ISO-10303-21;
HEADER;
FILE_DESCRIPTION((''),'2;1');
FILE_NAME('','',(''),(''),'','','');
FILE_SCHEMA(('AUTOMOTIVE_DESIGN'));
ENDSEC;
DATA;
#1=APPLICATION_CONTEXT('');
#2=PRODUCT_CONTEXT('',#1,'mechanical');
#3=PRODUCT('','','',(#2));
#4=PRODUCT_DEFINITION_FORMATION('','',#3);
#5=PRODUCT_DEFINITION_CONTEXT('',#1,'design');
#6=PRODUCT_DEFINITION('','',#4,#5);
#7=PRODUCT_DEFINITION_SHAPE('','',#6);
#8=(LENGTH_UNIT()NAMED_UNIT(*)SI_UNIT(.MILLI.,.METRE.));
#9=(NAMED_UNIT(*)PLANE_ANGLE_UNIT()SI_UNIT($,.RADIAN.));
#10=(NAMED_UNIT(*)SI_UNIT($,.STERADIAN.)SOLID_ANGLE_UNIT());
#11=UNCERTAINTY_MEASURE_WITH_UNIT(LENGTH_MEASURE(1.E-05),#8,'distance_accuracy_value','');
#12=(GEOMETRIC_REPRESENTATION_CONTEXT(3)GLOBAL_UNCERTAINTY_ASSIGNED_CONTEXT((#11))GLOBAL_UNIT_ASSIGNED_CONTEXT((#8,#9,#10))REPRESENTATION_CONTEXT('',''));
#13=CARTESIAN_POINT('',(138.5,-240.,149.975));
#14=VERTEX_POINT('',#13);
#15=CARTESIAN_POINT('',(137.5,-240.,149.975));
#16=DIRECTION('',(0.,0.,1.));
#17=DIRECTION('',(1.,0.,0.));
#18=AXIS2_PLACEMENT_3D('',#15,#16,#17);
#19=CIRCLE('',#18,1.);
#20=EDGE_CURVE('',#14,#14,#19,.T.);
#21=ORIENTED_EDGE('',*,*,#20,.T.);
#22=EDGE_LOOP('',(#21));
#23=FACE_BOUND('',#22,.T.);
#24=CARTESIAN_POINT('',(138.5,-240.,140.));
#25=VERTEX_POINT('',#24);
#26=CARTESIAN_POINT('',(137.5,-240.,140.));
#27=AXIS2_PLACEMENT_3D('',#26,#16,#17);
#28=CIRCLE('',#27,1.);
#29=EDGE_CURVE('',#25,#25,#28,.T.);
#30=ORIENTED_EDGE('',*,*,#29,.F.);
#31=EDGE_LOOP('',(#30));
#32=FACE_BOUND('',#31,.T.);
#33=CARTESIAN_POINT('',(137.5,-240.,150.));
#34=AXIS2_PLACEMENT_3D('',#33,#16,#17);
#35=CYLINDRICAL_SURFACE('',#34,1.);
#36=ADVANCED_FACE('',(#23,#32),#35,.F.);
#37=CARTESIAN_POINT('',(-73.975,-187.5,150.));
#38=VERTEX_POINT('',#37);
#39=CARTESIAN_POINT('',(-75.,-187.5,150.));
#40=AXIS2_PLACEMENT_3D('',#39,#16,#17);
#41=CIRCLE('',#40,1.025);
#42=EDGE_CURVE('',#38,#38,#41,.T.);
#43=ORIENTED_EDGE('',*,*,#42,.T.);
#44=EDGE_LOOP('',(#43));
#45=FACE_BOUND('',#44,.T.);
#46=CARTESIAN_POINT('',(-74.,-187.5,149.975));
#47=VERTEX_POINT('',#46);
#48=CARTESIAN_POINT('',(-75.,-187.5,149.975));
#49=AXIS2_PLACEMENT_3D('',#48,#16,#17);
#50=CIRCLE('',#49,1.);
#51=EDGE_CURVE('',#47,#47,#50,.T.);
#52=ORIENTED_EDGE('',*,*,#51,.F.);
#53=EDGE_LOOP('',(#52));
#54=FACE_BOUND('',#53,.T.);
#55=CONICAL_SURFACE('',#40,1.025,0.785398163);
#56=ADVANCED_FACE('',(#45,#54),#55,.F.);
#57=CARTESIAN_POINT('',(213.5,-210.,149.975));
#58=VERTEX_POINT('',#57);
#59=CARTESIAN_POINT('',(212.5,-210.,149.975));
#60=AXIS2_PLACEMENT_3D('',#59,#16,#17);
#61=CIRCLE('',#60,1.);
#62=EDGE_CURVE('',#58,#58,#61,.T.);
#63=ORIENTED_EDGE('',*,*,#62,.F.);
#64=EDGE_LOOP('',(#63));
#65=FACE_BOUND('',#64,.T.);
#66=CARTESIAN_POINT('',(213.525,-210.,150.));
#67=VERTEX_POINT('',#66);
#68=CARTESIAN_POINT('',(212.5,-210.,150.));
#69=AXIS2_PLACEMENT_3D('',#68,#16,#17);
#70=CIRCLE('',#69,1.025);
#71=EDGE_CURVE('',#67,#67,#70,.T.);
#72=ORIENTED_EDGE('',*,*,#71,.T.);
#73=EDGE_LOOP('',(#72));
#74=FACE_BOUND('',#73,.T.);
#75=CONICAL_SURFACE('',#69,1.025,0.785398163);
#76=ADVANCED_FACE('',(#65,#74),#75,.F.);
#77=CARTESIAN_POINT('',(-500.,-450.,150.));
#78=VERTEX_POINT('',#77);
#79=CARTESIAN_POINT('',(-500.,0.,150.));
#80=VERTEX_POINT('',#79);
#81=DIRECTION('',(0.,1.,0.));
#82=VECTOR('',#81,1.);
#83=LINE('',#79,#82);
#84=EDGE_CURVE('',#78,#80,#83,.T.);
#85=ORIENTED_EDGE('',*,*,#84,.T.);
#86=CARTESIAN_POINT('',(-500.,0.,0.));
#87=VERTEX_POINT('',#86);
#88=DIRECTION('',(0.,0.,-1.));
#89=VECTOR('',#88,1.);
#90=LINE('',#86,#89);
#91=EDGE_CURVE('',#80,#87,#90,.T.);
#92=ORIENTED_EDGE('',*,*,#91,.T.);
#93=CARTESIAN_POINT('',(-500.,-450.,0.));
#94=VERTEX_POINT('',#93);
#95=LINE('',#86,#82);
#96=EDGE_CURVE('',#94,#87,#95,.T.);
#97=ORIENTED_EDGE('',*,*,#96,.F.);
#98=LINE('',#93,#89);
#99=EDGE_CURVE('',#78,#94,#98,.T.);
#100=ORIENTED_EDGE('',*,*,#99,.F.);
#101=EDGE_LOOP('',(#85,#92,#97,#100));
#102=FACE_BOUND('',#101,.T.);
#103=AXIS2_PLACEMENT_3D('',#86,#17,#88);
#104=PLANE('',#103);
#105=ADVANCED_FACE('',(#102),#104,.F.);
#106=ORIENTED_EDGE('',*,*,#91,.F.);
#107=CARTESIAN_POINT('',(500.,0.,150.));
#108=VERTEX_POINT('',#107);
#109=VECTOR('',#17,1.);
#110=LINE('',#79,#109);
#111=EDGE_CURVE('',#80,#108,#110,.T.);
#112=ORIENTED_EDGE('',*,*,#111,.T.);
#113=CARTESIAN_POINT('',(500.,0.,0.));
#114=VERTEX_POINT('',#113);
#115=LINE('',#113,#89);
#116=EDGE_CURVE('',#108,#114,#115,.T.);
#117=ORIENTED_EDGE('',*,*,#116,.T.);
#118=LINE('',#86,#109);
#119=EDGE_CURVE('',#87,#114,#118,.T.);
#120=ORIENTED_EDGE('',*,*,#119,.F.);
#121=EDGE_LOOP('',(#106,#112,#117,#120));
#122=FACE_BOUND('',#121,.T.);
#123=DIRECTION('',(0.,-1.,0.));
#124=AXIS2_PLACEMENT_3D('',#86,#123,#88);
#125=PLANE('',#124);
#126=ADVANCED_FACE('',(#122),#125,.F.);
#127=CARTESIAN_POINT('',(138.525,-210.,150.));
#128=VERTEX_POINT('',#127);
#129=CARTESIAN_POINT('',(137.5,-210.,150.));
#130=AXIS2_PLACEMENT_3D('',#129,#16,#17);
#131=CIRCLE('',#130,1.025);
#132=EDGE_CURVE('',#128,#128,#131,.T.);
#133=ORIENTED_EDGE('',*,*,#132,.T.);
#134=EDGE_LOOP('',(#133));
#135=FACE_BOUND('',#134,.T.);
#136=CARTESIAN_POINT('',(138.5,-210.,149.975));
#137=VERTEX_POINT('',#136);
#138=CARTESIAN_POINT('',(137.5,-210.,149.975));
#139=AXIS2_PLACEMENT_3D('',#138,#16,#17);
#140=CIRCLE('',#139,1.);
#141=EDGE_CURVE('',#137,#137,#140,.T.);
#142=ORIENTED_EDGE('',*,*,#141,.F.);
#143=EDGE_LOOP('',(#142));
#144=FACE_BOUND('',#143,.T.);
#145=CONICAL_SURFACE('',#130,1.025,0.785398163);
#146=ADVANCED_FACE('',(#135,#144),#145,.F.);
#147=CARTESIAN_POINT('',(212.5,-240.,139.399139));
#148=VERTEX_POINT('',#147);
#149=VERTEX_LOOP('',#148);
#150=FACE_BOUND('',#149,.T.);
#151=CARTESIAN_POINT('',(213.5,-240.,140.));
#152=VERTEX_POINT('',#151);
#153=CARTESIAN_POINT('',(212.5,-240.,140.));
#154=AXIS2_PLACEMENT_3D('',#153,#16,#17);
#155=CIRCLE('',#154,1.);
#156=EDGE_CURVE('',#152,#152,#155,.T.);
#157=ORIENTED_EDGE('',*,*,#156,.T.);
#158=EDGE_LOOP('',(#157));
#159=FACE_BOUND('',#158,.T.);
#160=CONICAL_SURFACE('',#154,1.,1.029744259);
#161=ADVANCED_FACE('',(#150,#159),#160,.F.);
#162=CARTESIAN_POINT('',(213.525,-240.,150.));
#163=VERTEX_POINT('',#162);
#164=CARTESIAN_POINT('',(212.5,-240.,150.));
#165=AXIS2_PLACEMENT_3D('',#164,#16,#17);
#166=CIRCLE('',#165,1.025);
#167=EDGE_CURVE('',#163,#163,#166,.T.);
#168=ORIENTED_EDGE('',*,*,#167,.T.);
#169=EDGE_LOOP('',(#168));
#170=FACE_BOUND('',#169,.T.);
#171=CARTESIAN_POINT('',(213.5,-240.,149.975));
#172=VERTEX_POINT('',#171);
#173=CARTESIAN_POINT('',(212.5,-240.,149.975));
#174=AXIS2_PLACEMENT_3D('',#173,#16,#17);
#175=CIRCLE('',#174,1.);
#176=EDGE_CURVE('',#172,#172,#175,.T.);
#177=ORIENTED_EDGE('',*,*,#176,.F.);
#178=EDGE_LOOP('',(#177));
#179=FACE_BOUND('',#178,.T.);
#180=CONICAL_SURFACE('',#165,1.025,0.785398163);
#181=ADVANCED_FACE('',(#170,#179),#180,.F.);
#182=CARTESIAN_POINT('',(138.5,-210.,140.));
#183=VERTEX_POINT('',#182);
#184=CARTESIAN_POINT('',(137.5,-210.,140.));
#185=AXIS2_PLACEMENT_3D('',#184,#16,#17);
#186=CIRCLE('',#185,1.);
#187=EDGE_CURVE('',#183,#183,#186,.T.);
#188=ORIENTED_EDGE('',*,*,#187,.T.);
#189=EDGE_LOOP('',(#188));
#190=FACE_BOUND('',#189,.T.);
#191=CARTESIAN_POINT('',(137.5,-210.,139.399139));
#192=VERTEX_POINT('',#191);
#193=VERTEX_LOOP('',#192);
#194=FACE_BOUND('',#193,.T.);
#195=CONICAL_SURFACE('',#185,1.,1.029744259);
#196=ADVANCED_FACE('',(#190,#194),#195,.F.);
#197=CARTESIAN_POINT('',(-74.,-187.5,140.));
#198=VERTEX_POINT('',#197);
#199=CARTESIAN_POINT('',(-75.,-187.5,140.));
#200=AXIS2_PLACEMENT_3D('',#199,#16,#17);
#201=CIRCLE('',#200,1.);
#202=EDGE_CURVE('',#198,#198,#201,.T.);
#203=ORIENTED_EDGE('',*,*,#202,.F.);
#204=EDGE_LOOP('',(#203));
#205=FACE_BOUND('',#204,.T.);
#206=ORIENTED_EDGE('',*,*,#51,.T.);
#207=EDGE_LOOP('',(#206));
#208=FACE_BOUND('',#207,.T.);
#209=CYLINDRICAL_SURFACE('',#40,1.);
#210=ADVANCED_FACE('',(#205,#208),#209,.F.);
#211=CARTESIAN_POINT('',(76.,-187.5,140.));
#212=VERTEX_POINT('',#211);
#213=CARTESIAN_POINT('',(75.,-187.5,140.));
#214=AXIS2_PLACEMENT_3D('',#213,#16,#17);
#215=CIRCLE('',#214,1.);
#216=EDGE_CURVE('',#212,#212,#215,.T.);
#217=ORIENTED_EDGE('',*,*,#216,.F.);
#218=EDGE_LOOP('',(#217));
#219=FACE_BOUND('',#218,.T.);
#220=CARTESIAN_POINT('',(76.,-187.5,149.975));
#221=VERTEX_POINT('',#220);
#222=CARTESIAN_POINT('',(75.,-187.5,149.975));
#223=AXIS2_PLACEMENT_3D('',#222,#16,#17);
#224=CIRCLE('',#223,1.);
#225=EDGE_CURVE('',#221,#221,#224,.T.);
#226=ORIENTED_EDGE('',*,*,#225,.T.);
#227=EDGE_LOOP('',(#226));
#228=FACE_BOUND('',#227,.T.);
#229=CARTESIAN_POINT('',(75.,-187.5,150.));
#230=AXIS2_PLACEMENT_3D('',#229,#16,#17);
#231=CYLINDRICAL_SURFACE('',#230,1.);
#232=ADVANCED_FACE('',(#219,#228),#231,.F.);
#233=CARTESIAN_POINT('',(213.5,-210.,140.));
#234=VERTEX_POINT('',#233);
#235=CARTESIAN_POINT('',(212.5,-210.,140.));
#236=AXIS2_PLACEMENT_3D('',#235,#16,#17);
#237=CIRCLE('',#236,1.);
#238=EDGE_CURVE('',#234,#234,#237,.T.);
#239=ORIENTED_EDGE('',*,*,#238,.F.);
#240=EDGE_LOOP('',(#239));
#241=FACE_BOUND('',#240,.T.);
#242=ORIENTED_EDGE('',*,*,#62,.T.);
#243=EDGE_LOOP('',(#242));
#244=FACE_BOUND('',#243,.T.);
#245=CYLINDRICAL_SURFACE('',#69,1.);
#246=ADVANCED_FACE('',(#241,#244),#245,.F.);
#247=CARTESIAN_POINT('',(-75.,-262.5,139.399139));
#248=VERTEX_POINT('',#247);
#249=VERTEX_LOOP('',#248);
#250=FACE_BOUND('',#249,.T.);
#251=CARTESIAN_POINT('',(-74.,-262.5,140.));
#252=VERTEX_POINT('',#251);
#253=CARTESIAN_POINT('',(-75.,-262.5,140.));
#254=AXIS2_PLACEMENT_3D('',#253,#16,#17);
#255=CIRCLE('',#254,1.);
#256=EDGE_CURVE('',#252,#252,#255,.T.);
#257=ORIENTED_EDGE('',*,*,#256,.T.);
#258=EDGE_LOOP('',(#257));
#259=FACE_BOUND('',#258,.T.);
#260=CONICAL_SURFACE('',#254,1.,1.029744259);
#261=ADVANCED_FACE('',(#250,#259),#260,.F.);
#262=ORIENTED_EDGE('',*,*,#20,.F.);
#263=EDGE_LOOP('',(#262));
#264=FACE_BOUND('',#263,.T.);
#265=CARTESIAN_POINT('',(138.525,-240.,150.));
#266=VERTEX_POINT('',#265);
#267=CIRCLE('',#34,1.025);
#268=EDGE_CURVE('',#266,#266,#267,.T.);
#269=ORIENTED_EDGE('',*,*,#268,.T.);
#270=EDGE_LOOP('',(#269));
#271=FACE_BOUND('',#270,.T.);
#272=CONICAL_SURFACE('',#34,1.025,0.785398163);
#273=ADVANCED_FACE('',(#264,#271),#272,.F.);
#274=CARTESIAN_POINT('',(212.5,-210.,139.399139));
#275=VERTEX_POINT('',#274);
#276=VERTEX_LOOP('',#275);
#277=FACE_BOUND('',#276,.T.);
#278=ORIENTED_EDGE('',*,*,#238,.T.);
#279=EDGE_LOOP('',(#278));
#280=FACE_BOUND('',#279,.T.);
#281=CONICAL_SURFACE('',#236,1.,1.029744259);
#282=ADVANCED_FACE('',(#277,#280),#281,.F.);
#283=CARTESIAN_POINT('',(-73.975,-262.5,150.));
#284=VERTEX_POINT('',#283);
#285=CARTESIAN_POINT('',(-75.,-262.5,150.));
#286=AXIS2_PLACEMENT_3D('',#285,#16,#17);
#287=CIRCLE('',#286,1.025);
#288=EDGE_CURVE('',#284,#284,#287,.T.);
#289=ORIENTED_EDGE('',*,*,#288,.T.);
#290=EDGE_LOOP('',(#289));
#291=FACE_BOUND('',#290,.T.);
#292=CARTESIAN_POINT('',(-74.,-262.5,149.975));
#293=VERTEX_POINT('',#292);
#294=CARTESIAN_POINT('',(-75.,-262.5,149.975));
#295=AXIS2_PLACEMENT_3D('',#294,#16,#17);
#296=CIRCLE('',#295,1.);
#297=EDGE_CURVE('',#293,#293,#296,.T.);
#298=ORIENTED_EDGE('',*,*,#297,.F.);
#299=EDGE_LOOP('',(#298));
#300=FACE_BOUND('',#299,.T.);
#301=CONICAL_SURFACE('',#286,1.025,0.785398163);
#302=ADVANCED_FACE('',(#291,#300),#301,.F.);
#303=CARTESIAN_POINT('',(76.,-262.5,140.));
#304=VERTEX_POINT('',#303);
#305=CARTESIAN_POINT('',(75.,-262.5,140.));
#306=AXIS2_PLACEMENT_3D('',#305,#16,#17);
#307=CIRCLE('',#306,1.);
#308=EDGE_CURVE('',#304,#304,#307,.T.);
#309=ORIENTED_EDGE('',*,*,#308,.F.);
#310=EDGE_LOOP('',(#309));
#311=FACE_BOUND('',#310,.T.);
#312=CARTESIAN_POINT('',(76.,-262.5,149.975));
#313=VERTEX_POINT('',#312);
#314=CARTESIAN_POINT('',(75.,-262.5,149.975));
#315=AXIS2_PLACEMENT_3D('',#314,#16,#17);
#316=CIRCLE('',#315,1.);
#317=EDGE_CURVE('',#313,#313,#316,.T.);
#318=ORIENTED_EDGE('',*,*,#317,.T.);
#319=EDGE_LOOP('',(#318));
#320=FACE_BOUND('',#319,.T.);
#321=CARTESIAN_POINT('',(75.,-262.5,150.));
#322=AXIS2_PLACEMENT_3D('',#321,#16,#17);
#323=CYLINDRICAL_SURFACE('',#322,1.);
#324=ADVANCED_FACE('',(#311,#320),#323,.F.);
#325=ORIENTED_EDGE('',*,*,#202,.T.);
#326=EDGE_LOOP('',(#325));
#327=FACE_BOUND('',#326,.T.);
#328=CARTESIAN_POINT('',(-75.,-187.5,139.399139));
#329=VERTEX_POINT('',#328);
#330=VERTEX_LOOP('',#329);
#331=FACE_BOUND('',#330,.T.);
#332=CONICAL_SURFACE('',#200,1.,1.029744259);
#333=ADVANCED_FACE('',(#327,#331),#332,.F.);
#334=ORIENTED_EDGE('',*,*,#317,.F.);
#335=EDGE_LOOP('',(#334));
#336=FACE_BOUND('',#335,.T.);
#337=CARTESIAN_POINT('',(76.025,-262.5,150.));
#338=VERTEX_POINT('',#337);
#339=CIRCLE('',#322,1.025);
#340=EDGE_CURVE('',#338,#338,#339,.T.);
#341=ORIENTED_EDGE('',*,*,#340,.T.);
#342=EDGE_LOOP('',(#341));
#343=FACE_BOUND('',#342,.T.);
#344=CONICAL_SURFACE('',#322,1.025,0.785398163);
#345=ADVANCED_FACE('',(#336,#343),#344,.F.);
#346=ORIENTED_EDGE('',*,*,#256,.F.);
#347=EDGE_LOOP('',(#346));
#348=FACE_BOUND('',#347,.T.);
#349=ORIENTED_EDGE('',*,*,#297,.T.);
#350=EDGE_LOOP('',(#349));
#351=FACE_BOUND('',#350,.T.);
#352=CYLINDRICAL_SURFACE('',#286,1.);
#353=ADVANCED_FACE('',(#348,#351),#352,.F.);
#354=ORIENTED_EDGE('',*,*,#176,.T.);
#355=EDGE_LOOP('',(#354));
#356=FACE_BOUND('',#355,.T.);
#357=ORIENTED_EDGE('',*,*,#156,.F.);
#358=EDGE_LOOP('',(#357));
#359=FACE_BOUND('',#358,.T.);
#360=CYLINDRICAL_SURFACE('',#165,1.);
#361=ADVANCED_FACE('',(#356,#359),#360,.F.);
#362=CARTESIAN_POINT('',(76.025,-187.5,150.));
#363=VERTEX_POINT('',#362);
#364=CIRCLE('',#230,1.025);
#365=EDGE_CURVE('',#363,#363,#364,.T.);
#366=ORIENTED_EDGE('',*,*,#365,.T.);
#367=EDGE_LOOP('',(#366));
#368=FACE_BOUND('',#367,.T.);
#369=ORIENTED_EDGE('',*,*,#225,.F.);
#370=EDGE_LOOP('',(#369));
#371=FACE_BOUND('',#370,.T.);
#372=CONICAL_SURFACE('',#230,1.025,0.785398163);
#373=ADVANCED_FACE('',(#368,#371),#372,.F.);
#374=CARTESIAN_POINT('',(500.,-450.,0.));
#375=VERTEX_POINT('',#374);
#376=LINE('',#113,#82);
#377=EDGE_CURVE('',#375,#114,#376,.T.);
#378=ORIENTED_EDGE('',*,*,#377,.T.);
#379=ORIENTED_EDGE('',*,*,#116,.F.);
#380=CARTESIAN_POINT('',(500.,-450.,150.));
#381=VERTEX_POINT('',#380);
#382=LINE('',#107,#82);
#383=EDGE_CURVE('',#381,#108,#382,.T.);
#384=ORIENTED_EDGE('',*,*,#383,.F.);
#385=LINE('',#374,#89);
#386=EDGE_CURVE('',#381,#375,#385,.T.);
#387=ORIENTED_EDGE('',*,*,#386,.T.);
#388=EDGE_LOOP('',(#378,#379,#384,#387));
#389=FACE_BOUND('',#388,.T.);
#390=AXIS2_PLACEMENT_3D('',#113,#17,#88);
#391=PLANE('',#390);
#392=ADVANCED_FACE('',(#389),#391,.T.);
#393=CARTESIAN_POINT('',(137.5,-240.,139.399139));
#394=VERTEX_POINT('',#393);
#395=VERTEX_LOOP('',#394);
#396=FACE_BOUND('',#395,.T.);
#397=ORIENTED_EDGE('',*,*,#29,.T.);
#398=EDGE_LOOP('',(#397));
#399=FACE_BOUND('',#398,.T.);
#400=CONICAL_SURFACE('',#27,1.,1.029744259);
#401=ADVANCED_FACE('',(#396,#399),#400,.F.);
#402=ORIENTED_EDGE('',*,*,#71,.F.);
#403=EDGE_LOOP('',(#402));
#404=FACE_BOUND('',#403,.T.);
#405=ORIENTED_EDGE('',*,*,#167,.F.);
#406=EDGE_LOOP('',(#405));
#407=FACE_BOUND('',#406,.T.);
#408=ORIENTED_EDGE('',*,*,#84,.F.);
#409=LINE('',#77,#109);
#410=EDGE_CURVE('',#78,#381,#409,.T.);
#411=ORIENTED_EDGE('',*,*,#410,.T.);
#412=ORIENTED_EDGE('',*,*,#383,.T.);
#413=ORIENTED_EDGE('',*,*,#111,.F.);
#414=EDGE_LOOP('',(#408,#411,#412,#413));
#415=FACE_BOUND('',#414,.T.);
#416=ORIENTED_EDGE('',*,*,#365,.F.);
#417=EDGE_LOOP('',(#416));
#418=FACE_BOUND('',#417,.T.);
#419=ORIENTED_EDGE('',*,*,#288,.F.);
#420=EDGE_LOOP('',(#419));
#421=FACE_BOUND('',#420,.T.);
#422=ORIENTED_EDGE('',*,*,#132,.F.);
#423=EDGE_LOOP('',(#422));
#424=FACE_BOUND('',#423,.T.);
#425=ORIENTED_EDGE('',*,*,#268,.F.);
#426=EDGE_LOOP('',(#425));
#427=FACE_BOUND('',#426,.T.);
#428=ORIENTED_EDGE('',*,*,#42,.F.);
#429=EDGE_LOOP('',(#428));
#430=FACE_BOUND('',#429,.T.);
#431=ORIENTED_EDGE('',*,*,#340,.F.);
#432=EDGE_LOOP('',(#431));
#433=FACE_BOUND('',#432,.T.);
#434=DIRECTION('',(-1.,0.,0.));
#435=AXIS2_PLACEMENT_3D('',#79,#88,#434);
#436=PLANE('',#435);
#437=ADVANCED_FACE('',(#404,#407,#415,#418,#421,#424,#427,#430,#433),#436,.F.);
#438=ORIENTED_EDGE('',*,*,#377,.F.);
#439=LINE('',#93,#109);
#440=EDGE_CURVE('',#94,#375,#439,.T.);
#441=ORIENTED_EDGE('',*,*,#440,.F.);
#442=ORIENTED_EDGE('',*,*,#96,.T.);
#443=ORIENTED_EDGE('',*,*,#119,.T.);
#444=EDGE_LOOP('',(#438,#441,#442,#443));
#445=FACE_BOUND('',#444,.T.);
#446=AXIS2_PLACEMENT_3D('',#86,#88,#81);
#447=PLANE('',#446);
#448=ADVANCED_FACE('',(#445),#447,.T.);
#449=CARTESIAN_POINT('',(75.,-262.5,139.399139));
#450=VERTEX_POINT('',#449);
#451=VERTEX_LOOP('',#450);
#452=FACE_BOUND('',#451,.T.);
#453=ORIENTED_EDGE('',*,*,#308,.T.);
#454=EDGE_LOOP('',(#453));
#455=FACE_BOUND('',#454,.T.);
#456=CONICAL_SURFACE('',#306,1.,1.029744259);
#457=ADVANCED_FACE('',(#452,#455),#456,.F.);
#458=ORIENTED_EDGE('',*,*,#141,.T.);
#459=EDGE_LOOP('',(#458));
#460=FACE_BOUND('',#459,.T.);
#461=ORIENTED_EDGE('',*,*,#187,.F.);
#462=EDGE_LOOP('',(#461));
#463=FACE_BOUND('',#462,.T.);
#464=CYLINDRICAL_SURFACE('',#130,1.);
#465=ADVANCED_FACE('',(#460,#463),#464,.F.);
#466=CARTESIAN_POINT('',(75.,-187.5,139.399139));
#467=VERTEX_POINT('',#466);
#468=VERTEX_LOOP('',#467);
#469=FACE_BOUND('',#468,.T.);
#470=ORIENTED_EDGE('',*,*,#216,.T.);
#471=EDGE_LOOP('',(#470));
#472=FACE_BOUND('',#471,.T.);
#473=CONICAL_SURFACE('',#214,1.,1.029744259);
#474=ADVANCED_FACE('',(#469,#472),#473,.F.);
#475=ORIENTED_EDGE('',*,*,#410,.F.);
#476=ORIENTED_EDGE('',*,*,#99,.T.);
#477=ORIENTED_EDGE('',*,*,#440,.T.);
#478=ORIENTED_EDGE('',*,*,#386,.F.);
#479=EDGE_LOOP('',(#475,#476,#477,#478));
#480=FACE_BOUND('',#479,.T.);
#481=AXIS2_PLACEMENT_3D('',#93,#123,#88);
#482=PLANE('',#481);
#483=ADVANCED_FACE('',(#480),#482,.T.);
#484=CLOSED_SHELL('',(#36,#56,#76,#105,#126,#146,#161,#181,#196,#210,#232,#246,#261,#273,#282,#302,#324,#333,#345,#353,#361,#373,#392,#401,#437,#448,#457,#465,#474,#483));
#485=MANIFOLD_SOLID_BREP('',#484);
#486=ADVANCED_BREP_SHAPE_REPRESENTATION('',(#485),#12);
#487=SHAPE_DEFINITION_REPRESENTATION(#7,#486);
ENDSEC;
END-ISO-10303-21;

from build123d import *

# Parameters (mm, degrees)
BOSS_EXTRUDE2_DEPTH             = 500
BOSS_EXTRUDE2_DEPTH_BACK        = 500
SKETCH1_W                       = 450
SKETCH1_H                       = 150
F_2_0MM_DOWEL_HOLE1_D           = 2
F_2_0MM_DOWEL_HOLE1_DEPTH       = 10
F_2_0MM_DOWEL_HOLE1_CSINK_D     = 2.05
F_2_0MM_DOWEL_HOLE1_CSINK_ANGLE = 90
F_2_0MM_DOWEL_HOLE1_TIP         = 0.600860619
F_2_0MM_DOWEL_HOLE2_D           = 2
F_2_0MM_DOWEL_HOLE2_DEPTH       = 10
F_2_0MM_DOWEL_HOLE2_CSINK_D     = 2.05
F_2_0MM_DOWEL_HOLE2_CSINK_ANGLE = 90
F_2_0MM_DOWEL_HOLE2_TIP         = 0.600860619


with BuildPart() as part:
    # Sketch1 → Boss-Extrude2 (new, two sides: drawn at the far end of the back side and taken through both)
    with BuildSketch(Plane.YZ.offset(-BOSS_EXTRUDE2_DEPTH_BACK)):
        with Locations((-225, 75)):
            Rectangle(SKETCH1_W, SKETCH1_H)
    extrude(amount=BOSS_EXTRUDE2_DEPTH + BOSS_EXTRUDE2_DEPTH_BACK)

    # Ø2.0mm Dowel Hole1
    with Locations(Plane.XY.offset(150)):
        with Locations((75, -262.5), (-75, -187.5), (-75, -262.5), (75, -187.5)):
            CounterSinkHole(F_2_0MM_DOWEL_HOLE1_D / 2, F_2_0MM_DOWEL_HOLE1_CSINK_D / 2, depth=F_2_0MM_DOWEL_HOLE1_DEPTH, counter_sink_angle=F_2_0MM_DOWEL_HOLE1_CSINK_ANGLE)
            with Locations((0, 0, -(F_2_0MM_DOWEL_HOLE1_DEPTH + F_2_0MM_DOWEL_HOLE1_TIP / 2))):  # 118° drill point
                Cone(0, F_2_0MM_DOWEL_HOLE1_D / 2, F_2_0MM_DOWEL_HOLE1_TIP, mode=Mode.SUBTRACT)

    # Ø2.0mm Dowel Hole2
    with Locations(Plane.XY.offset(150)):
        with Locations((212.5, -210), (137.5, -210), (137.5, -240), (212.5, -240)):
            CounterSinkHole(F_2_0MM_DOWEL_HOLE2_D / 2, F_2_0MM_DOWEL_HOLE2_CSINK_D / 2, depth=F_2_0MM_DOWEL_HOLE2_DEPTH, counter_sink_angle=F_2_0MM_DOWEL_HOLE2_CSINK_ANGLE)
            with Locations((0, 0, -(F_2_0MM_DOWEL_HOLE2_DEPTH + F_2_0MM_DOWEL_HOLE2_TIP / 2))):  # 118° drill point
                Cone(0, F_2_0MM_DOWEL_HOLE2_D / 2, F_2_0MM_DOWEL_HOLE2_TIP, mode=Mode.SUBTRACT)


solid = part.part
